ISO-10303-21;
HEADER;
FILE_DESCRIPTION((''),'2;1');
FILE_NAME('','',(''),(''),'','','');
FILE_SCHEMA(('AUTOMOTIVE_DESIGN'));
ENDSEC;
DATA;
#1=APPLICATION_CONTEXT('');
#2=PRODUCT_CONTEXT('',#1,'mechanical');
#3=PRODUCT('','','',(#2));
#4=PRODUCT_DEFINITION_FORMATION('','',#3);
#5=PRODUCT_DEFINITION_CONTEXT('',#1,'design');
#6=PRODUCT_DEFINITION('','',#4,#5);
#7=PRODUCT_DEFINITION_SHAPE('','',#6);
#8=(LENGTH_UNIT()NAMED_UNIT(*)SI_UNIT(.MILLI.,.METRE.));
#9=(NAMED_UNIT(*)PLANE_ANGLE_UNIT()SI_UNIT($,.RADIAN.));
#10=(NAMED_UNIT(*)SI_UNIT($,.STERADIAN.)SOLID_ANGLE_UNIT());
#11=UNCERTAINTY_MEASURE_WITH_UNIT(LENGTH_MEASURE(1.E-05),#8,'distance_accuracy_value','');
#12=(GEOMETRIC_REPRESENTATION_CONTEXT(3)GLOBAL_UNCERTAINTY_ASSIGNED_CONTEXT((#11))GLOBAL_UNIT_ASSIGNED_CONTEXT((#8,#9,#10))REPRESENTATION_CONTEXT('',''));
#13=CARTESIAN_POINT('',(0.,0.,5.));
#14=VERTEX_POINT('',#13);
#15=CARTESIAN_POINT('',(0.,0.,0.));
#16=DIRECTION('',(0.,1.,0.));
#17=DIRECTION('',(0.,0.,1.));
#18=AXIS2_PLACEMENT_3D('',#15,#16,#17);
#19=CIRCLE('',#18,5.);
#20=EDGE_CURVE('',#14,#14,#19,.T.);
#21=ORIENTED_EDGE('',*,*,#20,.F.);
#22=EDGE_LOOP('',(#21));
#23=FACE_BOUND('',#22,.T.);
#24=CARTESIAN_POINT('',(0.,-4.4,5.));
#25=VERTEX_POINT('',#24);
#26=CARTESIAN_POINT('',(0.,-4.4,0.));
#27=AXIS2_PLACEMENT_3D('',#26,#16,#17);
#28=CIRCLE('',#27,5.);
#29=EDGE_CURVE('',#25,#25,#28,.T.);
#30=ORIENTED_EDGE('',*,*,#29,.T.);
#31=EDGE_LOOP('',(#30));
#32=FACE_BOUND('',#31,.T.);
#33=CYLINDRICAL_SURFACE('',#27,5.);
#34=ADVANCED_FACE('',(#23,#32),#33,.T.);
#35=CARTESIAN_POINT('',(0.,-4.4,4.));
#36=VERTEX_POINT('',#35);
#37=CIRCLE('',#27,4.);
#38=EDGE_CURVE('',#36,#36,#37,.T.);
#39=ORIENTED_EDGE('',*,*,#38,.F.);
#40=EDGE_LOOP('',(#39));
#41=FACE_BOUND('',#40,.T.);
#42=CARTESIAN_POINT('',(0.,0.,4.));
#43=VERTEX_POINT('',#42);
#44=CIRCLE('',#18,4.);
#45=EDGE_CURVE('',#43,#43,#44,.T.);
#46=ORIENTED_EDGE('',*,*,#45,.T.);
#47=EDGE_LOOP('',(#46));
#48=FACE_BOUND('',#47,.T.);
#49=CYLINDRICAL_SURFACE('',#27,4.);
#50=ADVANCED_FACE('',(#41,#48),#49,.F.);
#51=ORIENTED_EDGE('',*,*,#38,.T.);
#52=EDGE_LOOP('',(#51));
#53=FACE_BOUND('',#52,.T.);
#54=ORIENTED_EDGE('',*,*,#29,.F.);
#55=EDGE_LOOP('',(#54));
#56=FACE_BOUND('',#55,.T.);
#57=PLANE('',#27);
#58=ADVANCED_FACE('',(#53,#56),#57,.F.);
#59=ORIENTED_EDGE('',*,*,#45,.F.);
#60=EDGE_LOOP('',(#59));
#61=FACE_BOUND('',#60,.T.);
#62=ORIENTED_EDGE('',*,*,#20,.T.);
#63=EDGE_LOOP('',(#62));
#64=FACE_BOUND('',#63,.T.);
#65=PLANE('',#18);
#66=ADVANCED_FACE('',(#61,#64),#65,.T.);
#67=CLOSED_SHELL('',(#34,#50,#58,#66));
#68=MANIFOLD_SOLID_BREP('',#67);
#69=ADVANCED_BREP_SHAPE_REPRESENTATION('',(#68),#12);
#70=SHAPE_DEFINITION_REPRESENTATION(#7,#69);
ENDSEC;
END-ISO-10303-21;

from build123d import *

# Parameters (mm, degrees)
SKETCH1_R           = 5
SKETCH1_R_2         = 4
BOSS_EXTRUDE1_DEPTH = 4.4


with BuildPart() as part:
    # Sketch1 → Boss-Extrude1 (new body)
    with BuildSketch(Plane(origin=(0, 0, 0), x_dir=(1, 0, 0), z_dir=(0, 1, 0))):
        Circle(SKETCH1_R)
        Circle(SKETCH1_R_2, mode=Mode.SUBTRACT)
    extrude(amount=-BOSS_EXTRUDE1_DEPTH)


solid = part.part
